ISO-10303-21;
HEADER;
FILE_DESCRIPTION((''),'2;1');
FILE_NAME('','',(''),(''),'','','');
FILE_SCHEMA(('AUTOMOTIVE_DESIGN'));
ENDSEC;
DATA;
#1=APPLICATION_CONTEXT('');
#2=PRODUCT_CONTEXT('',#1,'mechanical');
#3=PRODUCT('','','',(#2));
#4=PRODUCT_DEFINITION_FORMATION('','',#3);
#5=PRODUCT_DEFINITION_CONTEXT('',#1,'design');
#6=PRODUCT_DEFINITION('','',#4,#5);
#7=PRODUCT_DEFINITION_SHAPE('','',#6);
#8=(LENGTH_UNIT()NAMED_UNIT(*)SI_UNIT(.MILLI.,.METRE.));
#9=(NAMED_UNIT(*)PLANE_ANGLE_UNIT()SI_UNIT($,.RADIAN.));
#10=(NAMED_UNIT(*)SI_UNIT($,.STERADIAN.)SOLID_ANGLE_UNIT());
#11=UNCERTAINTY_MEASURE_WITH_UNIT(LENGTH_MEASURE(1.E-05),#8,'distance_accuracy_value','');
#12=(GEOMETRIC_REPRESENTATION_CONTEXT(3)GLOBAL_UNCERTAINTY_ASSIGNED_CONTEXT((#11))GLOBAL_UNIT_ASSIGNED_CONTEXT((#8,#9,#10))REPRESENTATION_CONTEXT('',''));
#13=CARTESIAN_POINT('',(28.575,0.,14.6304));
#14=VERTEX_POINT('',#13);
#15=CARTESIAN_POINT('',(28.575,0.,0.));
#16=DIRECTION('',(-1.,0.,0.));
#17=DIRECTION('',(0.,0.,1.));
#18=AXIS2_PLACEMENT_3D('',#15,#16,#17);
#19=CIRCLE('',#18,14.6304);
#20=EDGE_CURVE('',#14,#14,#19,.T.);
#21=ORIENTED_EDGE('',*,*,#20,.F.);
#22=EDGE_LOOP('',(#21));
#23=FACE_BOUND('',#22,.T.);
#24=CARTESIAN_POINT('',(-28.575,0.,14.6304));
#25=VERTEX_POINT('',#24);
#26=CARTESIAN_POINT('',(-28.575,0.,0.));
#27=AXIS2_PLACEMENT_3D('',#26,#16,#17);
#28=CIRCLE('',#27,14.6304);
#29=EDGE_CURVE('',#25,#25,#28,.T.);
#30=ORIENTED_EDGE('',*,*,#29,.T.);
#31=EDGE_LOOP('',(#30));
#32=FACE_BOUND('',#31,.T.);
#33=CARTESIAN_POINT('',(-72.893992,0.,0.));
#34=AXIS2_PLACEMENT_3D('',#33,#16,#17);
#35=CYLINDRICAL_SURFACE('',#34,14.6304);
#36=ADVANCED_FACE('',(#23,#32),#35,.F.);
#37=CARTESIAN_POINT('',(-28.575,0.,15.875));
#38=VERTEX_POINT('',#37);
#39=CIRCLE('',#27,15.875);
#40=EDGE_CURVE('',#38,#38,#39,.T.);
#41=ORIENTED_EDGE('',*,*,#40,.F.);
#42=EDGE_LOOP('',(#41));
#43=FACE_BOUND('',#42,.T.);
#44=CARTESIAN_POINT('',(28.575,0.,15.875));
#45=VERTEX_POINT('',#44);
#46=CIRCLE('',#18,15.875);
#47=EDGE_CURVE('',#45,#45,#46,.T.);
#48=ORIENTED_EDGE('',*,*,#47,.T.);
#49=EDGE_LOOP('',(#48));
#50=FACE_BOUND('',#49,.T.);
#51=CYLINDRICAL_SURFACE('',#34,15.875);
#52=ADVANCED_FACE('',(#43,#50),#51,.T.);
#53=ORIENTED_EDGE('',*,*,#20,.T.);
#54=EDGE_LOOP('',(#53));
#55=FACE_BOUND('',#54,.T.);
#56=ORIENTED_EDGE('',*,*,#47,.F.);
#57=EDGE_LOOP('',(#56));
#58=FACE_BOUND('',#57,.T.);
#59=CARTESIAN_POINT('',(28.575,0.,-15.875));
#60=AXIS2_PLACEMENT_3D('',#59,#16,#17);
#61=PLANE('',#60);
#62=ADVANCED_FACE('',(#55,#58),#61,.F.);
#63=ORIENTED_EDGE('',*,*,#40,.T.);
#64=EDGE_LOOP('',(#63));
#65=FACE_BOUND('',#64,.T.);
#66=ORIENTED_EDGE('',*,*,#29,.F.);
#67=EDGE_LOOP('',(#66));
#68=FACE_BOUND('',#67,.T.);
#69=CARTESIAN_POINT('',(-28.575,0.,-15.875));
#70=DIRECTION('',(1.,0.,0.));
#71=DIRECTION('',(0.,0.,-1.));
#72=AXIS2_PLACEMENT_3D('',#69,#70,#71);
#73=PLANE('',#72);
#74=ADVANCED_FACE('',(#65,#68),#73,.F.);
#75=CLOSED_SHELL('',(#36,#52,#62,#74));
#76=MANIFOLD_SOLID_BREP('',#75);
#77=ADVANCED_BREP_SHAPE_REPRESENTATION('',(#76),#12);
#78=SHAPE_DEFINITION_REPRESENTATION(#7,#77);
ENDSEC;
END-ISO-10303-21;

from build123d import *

# Parameters (mm, degrees)
SKETCH1_W = 57.15
SKETCH1_H = 1.2446


with BuildPart() as part:
    # Sketch1 → Revolve1 (revolve)
    with BuildSketch(Plane(origin=(0, 0, 0), x_dir=(1, 0, 0), z_dir=(0, 1, 0)), mode=Mode.PRIVATE) as revolve1_sk:
        with Locations((0, 15.2527)):
            Rectangle(SKETCH1_W, SKETCH1_H)
    revolve(revolve1_sk.sketch.rotate(Axis((-72.893991897, 0, 0), (1, 0, 0)), 180), axis=Axis((-72.893991897, 0, 0), (1, 0, 0)))


solid = part.part
